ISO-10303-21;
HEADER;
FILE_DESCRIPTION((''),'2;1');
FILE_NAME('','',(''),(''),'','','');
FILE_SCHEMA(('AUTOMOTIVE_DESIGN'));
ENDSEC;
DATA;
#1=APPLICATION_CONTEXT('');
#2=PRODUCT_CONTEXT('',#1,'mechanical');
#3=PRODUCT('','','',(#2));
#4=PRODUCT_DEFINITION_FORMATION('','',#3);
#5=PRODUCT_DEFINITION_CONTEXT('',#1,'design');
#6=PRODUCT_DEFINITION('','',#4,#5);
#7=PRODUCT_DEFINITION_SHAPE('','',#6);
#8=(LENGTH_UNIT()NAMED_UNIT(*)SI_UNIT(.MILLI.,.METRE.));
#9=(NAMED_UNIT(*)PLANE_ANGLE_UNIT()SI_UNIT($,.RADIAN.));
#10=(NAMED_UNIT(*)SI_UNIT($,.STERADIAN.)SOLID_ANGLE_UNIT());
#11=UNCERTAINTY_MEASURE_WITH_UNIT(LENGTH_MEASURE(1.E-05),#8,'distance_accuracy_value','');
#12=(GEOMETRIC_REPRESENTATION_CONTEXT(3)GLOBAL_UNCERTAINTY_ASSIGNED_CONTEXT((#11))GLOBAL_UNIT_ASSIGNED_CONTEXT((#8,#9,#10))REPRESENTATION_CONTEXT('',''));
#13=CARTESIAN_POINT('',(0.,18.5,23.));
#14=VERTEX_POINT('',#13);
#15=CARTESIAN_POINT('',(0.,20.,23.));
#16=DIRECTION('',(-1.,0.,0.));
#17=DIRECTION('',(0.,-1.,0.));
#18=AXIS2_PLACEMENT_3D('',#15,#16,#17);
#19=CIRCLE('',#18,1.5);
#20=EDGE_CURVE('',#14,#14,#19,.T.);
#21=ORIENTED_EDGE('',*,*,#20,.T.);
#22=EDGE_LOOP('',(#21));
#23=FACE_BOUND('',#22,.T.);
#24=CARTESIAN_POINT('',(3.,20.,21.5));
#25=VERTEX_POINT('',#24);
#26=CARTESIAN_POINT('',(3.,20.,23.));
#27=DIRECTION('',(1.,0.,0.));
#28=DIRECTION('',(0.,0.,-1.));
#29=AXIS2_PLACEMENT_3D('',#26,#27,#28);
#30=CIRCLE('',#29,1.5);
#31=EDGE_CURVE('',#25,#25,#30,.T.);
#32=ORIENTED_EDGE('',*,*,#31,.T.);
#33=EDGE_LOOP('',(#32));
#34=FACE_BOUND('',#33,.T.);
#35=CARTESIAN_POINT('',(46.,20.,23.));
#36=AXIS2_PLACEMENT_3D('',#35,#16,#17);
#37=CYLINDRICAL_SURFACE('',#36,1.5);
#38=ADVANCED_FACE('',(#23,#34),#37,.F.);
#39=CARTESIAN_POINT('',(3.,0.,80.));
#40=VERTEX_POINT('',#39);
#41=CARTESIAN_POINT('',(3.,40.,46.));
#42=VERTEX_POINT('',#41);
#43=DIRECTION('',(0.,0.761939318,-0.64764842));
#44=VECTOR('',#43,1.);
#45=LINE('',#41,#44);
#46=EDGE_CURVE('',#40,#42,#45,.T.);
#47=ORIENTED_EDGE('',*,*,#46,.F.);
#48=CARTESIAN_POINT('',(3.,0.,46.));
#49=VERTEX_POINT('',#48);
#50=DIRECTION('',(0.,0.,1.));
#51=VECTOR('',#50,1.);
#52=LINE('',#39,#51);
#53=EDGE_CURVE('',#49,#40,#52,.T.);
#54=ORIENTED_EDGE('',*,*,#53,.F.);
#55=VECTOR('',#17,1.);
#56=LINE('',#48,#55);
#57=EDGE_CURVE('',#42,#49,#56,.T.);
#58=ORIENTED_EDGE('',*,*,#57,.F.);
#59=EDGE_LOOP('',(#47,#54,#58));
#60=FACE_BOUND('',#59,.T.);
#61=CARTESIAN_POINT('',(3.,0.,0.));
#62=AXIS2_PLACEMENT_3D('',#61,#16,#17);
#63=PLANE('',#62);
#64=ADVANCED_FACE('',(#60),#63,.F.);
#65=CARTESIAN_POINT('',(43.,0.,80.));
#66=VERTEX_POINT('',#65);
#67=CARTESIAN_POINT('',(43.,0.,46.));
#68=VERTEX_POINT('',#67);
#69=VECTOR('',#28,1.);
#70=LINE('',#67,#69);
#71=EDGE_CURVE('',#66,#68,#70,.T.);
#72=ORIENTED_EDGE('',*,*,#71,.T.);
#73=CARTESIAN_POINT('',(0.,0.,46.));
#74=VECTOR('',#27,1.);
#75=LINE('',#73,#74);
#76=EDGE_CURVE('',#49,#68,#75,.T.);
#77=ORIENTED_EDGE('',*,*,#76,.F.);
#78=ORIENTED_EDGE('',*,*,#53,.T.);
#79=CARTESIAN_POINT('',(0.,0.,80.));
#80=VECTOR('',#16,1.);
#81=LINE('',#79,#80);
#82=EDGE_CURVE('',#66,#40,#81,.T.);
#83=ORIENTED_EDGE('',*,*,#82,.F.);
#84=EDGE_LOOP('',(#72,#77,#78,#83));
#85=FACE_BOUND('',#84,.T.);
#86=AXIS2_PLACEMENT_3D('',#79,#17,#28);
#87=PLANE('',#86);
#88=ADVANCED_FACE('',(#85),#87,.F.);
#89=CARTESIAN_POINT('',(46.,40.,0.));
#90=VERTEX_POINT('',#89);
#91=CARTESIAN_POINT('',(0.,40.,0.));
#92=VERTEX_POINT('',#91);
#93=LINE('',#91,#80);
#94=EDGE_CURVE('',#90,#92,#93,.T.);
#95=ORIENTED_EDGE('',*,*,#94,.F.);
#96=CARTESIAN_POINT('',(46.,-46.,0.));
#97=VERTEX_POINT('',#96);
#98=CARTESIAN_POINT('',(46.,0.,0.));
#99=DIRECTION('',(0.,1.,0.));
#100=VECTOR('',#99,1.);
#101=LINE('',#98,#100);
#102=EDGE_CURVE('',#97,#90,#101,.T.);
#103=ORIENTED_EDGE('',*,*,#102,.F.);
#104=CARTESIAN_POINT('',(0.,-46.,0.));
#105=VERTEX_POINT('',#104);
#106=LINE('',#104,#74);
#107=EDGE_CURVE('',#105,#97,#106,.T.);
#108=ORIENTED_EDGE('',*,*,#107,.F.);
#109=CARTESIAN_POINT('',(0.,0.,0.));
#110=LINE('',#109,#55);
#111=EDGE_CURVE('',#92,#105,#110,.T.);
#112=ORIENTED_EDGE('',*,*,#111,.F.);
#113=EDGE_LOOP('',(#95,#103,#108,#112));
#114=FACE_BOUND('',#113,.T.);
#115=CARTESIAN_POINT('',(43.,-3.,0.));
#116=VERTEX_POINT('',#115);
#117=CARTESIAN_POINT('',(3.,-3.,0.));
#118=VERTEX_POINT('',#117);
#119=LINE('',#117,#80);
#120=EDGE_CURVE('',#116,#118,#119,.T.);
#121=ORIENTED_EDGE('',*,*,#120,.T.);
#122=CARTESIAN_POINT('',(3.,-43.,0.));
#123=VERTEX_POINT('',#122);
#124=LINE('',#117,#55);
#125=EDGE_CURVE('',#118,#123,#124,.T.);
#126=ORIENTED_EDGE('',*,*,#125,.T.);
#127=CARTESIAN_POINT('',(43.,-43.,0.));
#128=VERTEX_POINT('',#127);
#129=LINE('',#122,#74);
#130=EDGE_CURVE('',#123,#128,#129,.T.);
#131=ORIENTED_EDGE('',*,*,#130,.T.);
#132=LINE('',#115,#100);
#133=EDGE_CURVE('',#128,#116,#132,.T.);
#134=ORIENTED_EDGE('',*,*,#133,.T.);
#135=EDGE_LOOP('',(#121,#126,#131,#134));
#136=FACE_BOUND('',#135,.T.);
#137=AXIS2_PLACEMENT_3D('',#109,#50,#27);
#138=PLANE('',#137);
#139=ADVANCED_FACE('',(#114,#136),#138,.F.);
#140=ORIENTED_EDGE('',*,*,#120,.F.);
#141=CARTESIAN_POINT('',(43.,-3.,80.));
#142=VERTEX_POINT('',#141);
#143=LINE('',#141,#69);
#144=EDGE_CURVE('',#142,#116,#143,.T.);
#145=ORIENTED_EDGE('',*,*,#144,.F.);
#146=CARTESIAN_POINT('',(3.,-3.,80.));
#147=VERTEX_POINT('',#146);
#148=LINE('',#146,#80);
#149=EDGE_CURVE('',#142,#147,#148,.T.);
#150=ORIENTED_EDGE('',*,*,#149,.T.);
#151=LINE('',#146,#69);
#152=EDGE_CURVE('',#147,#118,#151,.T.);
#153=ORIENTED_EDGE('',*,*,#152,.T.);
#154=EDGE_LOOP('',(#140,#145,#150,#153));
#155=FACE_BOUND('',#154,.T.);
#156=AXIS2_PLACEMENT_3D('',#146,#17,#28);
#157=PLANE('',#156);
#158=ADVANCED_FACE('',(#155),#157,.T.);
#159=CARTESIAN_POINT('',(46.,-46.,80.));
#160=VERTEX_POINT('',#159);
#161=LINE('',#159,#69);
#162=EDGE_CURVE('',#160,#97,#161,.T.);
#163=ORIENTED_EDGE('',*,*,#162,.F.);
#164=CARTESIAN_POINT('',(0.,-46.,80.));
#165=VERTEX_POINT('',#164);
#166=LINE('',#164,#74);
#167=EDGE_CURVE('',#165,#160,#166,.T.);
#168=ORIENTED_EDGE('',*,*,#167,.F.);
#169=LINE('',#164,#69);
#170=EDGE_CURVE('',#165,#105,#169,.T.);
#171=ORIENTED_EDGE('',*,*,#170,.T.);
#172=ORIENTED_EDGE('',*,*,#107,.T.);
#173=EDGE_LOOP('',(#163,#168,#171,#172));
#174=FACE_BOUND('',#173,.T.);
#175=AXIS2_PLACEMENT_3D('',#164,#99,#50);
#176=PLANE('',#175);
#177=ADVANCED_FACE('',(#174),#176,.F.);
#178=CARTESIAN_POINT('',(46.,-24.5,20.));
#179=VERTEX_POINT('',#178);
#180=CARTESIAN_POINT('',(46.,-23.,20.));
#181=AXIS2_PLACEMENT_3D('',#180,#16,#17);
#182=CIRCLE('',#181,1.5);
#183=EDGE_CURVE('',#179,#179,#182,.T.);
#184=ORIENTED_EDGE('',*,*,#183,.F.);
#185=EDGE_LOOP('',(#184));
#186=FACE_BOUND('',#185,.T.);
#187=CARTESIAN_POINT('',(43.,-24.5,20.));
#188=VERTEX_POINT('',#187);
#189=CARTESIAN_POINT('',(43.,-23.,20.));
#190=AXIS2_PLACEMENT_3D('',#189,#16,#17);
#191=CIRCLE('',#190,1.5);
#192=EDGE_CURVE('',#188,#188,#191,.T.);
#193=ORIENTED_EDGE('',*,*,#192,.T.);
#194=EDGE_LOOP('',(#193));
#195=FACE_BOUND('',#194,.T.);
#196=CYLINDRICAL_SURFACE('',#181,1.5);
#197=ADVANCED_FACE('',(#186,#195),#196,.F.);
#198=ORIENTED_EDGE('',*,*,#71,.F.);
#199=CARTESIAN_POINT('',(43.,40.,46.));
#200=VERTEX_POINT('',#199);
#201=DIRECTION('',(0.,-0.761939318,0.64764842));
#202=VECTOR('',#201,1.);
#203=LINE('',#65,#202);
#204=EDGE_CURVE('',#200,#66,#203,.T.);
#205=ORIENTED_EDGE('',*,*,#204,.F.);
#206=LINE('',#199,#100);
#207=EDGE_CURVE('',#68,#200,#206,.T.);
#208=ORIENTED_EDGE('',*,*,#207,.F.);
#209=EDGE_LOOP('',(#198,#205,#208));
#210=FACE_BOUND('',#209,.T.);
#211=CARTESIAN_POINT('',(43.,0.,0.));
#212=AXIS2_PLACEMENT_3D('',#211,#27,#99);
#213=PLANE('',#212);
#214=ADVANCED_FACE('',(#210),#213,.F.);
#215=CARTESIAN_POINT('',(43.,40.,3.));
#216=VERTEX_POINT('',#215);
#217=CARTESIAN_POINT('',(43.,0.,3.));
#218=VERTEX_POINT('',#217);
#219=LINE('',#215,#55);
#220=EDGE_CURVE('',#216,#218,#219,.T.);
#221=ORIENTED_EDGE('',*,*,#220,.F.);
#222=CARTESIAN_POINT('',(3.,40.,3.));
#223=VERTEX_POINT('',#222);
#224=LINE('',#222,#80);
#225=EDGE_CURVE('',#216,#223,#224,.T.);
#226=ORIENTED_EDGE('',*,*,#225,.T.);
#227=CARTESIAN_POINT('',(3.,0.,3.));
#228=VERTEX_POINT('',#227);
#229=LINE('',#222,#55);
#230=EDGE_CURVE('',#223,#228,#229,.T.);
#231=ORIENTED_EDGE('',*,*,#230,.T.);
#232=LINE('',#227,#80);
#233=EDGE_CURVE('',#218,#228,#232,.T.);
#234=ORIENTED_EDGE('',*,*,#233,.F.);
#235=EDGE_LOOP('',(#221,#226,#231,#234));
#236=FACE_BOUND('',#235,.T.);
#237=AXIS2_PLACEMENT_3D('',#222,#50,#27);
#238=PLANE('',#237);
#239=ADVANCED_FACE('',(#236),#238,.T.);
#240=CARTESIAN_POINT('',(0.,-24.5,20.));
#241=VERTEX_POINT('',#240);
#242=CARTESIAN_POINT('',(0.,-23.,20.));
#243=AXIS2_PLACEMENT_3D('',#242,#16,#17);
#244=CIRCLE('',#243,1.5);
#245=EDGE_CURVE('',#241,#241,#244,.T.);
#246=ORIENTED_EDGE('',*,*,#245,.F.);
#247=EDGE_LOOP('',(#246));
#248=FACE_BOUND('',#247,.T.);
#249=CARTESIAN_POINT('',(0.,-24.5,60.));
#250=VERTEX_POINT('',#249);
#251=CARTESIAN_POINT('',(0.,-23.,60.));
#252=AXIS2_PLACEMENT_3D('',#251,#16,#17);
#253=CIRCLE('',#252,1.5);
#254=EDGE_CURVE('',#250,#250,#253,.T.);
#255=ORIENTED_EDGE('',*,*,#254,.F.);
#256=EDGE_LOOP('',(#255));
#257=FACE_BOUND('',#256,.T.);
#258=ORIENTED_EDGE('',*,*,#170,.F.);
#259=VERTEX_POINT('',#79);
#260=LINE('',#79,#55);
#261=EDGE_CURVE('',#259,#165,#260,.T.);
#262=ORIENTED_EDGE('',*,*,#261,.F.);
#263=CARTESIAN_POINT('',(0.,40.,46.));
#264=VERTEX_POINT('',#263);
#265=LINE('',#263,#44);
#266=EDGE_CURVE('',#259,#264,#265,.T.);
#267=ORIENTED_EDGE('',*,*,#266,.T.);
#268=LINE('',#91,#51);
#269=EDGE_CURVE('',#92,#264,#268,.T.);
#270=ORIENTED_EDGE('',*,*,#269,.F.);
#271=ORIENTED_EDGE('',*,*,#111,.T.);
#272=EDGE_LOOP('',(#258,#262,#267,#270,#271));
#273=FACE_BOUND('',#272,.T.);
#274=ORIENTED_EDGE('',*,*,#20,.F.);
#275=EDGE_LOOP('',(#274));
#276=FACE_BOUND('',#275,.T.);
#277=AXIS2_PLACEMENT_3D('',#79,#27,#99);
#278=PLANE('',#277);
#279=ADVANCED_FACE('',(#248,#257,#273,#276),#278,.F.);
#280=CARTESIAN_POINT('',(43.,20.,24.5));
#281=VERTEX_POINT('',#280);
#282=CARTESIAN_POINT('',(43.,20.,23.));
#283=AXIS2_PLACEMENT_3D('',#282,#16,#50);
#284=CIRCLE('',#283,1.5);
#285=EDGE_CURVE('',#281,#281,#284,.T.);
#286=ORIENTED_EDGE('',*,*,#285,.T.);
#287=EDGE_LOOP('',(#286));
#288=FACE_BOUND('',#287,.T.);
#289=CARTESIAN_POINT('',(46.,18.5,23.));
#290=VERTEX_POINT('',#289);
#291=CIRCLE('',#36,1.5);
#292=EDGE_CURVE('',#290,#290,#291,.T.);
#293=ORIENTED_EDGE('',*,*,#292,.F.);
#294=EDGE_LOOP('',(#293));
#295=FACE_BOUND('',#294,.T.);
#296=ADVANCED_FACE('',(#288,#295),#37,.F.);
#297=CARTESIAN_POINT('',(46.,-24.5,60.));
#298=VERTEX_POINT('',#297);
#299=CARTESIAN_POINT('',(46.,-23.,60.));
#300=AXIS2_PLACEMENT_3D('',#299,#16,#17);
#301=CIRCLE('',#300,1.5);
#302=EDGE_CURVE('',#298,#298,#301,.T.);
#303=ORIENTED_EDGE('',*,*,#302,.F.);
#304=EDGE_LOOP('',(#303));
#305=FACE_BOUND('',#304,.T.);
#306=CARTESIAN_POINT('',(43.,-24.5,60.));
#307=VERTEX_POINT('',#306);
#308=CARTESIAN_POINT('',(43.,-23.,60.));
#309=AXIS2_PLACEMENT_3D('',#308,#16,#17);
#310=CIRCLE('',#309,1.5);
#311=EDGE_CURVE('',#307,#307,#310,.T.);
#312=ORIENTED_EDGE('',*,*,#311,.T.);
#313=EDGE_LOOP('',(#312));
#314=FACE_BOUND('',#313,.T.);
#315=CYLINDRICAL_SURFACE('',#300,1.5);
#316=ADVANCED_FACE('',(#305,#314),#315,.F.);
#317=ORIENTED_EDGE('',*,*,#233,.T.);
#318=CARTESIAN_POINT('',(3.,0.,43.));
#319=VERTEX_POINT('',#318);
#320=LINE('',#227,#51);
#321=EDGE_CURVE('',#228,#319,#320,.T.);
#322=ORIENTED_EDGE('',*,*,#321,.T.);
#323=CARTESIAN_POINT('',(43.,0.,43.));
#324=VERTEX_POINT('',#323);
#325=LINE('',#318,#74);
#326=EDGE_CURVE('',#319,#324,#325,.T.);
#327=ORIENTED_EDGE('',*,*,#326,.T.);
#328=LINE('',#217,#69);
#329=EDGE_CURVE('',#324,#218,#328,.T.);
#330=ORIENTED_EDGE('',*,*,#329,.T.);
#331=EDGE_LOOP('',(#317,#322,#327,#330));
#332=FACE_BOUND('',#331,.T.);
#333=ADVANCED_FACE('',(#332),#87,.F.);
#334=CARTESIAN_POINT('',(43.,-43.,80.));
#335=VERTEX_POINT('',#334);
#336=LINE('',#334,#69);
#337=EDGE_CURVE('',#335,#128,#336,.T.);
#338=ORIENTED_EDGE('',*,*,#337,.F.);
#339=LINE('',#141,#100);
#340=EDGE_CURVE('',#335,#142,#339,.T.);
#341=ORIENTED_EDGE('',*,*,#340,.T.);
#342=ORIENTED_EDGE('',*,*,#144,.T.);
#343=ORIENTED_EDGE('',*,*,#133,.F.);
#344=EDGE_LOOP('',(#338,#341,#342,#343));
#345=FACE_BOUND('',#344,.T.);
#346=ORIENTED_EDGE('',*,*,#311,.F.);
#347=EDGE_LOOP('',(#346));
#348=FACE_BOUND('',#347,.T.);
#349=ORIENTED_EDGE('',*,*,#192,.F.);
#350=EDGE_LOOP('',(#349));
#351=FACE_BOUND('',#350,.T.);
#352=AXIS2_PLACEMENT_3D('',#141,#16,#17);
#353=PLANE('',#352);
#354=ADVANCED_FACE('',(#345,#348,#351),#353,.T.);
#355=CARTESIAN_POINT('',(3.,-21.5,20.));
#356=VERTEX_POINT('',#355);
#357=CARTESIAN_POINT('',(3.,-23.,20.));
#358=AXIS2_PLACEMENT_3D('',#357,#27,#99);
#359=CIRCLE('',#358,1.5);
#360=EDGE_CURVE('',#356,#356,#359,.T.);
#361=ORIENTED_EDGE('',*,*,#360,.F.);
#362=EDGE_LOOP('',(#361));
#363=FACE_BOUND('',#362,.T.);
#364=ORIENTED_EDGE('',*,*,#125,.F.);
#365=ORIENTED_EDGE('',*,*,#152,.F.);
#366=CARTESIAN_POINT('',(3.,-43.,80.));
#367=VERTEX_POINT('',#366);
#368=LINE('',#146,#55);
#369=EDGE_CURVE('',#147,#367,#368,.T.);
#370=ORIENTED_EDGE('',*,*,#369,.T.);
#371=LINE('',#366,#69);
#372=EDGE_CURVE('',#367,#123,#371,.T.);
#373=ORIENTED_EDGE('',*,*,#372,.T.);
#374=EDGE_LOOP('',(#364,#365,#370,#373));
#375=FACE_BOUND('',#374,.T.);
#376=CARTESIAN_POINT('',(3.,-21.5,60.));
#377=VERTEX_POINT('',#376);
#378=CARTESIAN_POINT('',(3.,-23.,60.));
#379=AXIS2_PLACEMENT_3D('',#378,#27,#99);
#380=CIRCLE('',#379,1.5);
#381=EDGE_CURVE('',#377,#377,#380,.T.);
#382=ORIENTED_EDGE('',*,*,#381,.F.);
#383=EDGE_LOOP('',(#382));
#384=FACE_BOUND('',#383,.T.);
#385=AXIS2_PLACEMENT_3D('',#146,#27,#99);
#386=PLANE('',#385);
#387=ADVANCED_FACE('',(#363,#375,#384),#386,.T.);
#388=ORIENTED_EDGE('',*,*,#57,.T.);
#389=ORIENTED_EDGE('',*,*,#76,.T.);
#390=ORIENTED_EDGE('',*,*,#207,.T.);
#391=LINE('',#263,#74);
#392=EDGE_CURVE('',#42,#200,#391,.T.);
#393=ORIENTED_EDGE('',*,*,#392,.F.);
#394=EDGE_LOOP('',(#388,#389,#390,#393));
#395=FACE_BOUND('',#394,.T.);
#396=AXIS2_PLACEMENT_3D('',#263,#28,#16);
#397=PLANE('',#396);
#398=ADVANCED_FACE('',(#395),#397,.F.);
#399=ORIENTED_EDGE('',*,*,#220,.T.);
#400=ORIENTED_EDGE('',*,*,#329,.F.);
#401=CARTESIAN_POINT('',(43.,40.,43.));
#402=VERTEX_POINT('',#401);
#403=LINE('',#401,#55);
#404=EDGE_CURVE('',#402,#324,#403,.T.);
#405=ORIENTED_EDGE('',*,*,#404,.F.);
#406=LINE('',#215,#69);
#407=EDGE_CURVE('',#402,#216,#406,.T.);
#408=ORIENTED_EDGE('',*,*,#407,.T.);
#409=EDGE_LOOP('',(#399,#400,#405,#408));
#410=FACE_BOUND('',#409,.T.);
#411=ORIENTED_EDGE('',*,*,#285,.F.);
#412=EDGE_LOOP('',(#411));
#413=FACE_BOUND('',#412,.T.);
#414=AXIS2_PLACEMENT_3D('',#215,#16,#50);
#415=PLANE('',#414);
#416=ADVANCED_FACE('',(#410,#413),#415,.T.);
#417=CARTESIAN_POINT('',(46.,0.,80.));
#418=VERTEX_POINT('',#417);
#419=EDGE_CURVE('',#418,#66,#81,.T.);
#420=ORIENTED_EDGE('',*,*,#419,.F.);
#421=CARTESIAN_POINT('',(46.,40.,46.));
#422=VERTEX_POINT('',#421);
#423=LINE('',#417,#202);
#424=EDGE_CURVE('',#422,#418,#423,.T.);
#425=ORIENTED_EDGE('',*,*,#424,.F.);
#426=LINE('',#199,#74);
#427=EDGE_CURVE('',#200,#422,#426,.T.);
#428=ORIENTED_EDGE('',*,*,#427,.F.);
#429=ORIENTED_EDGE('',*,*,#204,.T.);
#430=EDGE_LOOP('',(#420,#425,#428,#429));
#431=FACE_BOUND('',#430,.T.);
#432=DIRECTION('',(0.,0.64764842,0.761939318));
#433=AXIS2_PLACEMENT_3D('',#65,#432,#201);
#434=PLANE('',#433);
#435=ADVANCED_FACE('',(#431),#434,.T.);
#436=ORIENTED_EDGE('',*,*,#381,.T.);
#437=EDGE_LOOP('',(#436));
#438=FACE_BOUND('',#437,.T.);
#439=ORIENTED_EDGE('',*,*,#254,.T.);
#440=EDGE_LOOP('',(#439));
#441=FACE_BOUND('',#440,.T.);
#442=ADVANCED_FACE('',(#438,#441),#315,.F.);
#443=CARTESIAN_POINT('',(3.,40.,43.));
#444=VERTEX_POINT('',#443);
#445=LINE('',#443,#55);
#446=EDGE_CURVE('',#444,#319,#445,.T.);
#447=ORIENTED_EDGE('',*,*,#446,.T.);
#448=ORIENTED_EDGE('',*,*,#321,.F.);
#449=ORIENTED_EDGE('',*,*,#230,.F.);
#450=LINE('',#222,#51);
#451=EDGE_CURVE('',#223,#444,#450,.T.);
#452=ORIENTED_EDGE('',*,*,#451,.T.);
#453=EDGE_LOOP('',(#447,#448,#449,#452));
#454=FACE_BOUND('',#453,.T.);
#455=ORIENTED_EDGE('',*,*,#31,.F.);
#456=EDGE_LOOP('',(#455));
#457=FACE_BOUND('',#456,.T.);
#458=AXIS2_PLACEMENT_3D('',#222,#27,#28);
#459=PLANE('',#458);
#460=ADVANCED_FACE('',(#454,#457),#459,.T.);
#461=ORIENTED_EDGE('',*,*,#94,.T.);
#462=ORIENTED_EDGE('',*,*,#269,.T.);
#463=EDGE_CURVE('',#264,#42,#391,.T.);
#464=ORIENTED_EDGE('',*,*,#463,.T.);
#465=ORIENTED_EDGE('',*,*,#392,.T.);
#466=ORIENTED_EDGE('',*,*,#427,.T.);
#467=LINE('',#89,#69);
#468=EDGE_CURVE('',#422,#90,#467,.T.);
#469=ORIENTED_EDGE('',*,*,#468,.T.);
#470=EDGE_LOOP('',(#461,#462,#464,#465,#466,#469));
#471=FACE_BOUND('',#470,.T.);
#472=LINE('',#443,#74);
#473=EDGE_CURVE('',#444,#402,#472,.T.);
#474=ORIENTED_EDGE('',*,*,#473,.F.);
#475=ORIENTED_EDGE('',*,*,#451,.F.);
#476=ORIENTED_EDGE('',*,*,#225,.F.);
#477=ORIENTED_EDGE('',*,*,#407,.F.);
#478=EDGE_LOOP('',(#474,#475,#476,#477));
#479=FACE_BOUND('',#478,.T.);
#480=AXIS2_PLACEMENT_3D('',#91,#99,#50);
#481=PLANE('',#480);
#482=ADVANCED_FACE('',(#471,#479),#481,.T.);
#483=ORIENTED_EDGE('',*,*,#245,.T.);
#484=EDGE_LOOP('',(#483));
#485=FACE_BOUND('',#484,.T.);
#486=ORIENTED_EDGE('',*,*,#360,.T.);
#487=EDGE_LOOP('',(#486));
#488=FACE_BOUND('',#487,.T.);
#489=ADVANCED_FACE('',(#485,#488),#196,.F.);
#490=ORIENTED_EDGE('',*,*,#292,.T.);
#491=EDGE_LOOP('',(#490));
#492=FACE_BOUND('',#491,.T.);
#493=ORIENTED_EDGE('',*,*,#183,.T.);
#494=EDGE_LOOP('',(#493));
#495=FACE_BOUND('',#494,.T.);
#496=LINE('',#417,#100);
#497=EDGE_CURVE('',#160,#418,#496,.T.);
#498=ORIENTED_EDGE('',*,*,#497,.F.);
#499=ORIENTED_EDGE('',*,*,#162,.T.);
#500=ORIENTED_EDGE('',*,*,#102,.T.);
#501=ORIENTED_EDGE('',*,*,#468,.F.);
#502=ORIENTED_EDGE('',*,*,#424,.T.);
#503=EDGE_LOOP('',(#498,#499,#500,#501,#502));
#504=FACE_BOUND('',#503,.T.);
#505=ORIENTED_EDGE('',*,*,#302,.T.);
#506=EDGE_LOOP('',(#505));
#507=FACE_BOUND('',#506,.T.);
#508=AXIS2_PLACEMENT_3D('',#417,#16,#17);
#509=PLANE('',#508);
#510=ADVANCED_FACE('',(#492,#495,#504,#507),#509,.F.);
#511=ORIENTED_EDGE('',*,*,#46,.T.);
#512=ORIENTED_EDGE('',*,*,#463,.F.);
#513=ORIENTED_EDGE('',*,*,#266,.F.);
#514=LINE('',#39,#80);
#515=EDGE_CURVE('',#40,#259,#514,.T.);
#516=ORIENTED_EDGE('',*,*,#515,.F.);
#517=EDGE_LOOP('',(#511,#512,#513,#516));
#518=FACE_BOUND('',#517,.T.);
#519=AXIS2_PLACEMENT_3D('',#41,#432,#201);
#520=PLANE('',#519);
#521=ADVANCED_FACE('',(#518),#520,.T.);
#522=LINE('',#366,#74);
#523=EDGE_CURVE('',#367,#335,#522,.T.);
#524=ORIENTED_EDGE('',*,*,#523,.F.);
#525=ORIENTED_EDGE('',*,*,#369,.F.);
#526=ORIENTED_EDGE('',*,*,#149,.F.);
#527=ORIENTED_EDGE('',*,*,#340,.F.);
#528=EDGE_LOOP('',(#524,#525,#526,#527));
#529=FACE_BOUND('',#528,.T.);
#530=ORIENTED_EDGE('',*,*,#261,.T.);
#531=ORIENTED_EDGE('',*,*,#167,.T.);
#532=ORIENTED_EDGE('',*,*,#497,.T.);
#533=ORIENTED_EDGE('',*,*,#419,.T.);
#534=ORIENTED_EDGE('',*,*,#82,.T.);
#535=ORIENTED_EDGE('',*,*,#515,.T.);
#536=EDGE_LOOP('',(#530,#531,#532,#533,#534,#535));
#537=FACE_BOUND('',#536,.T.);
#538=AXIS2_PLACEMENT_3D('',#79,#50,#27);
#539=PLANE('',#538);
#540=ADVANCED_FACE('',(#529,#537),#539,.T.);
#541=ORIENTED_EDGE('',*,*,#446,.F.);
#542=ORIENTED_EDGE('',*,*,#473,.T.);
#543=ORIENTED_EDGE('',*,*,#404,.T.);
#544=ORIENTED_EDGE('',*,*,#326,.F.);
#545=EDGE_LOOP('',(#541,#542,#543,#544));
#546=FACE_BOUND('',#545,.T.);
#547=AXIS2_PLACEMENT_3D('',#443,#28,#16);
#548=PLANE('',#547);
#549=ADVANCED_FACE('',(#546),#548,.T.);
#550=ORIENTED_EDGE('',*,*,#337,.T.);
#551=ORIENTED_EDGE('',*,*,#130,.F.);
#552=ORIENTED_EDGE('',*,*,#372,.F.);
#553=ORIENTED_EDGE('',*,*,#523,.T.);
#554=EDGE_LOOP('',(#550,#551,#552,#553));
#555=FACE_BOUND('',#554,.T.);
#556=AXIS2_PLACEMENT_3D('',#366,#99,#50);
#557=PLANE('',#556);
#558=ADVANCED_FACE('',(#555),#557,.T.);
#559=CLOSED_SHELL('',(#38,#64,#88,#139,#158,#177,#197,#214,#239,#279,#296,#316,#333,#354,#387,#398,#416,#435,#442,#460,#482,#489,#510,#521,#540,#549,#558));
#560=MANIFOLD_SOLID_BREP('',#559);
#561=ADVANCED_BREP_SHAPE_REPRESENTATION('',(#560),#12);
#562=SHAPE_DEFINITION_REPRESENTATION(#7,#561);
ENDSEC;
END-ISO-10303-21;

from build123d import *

# Parameters (mm, degrees)
ESQUISSE1_W             = 46
ESQUISSE1_H             = 46
ESQUISSE1_W_2           = 40
ESQUISSE1_H_2           = 40
BOSS_EXTRU_1_DEPTH      = 80
ESQUISSE2_W             = 46
ESQUISSE2_H             = 46
ESQUISSE2_W_2           = 40
ESQUISSE2_H_2           = 40
BOSS_EXTRU_2_DEPTH      = 40
BOSS_EXTRU_3_DEPTH      = 3
BOSS_EXTRU_4_DEPTH      = 3
ESQUISSE5_R             = 1.5
ENL_V_MAT_EXTRU_1_DEPTH = 104.111590037


with BuildPart() as part:
    # Esquisse1 → Boss.-Extru.1 (new body)
    with BuildSketch(Plane.XY):
        with Locations((23, -23)):
            Rectangle(ESQUISSE1_W, ESQUISSE1_H)
        with Locations((23, -23)):
            Rectangle(ESQUISSE1_W_2, ESQUISSE1_H_2, mode=Mode.SUBTRACT)
    extrude(amount=BOSS_EXTRU_1_DEPTH)

    # Esquisse2 → Boss.-Extru.2 (add)
    with BuildSketch(Plane(origin=(0, 0, 0), x_dir=(1, 0, 0), z_dir=(0, 1, 0))):
        with Locations((23, -23)):
            Rectangle(ESQUISSE2_W, ESQUISSE2_H)
        with Locations((23, -23)):
            Rectangle(ESQUISSE2_W_2, ESQUISSE2_H_2, mode=Mode.SUBTRACT)
    extrude(amount=BOSS_EXTRU_2_DEPTH)

    # Esquisse3 → Boss.-Extru.3 (add)
    with BuildSketch(Plane(origin=(46, 0, 0), x_dir=(0, 0, -1), z_dir=(1, 0, 0))):
        Polygon((-80, 0), (-46, 40), (-46, 0), align=None)
    extrude(amount=-BOSS_EXTRU_3_DEPTH)

    # Esquisse4 → Boss.-Extru.4 (add)
    with BuildSketch(Plane.ZY):
        Polygon((46, 40), (80, 0), (46, 0), align=None)
    extrude(amount=-BOSS_EXTRU_4_DEPTH)

    # Esquisse5 → Enlèv. mat.-Extru.1 (cut, through all)
    with BuildSketch(Plane.ZY):
        with Locations(Location((23, 20, 0), (0, 0, 270))):
            Circle(ESQUISSE5_R)
        with Locations(Location((20, -23, 0), (0, 0, 270))):
            Circle(ESQUISSE5_R)
        with Locations(Location((60, -23, 0), (0, 0, 270))):
            Circle(ESQUISSE5_R)
    extrude(amount=-ENL_V_MAT_EXTRU_1_DEPTH, mode=Mode.SUBTRACT)


solid = part.part
